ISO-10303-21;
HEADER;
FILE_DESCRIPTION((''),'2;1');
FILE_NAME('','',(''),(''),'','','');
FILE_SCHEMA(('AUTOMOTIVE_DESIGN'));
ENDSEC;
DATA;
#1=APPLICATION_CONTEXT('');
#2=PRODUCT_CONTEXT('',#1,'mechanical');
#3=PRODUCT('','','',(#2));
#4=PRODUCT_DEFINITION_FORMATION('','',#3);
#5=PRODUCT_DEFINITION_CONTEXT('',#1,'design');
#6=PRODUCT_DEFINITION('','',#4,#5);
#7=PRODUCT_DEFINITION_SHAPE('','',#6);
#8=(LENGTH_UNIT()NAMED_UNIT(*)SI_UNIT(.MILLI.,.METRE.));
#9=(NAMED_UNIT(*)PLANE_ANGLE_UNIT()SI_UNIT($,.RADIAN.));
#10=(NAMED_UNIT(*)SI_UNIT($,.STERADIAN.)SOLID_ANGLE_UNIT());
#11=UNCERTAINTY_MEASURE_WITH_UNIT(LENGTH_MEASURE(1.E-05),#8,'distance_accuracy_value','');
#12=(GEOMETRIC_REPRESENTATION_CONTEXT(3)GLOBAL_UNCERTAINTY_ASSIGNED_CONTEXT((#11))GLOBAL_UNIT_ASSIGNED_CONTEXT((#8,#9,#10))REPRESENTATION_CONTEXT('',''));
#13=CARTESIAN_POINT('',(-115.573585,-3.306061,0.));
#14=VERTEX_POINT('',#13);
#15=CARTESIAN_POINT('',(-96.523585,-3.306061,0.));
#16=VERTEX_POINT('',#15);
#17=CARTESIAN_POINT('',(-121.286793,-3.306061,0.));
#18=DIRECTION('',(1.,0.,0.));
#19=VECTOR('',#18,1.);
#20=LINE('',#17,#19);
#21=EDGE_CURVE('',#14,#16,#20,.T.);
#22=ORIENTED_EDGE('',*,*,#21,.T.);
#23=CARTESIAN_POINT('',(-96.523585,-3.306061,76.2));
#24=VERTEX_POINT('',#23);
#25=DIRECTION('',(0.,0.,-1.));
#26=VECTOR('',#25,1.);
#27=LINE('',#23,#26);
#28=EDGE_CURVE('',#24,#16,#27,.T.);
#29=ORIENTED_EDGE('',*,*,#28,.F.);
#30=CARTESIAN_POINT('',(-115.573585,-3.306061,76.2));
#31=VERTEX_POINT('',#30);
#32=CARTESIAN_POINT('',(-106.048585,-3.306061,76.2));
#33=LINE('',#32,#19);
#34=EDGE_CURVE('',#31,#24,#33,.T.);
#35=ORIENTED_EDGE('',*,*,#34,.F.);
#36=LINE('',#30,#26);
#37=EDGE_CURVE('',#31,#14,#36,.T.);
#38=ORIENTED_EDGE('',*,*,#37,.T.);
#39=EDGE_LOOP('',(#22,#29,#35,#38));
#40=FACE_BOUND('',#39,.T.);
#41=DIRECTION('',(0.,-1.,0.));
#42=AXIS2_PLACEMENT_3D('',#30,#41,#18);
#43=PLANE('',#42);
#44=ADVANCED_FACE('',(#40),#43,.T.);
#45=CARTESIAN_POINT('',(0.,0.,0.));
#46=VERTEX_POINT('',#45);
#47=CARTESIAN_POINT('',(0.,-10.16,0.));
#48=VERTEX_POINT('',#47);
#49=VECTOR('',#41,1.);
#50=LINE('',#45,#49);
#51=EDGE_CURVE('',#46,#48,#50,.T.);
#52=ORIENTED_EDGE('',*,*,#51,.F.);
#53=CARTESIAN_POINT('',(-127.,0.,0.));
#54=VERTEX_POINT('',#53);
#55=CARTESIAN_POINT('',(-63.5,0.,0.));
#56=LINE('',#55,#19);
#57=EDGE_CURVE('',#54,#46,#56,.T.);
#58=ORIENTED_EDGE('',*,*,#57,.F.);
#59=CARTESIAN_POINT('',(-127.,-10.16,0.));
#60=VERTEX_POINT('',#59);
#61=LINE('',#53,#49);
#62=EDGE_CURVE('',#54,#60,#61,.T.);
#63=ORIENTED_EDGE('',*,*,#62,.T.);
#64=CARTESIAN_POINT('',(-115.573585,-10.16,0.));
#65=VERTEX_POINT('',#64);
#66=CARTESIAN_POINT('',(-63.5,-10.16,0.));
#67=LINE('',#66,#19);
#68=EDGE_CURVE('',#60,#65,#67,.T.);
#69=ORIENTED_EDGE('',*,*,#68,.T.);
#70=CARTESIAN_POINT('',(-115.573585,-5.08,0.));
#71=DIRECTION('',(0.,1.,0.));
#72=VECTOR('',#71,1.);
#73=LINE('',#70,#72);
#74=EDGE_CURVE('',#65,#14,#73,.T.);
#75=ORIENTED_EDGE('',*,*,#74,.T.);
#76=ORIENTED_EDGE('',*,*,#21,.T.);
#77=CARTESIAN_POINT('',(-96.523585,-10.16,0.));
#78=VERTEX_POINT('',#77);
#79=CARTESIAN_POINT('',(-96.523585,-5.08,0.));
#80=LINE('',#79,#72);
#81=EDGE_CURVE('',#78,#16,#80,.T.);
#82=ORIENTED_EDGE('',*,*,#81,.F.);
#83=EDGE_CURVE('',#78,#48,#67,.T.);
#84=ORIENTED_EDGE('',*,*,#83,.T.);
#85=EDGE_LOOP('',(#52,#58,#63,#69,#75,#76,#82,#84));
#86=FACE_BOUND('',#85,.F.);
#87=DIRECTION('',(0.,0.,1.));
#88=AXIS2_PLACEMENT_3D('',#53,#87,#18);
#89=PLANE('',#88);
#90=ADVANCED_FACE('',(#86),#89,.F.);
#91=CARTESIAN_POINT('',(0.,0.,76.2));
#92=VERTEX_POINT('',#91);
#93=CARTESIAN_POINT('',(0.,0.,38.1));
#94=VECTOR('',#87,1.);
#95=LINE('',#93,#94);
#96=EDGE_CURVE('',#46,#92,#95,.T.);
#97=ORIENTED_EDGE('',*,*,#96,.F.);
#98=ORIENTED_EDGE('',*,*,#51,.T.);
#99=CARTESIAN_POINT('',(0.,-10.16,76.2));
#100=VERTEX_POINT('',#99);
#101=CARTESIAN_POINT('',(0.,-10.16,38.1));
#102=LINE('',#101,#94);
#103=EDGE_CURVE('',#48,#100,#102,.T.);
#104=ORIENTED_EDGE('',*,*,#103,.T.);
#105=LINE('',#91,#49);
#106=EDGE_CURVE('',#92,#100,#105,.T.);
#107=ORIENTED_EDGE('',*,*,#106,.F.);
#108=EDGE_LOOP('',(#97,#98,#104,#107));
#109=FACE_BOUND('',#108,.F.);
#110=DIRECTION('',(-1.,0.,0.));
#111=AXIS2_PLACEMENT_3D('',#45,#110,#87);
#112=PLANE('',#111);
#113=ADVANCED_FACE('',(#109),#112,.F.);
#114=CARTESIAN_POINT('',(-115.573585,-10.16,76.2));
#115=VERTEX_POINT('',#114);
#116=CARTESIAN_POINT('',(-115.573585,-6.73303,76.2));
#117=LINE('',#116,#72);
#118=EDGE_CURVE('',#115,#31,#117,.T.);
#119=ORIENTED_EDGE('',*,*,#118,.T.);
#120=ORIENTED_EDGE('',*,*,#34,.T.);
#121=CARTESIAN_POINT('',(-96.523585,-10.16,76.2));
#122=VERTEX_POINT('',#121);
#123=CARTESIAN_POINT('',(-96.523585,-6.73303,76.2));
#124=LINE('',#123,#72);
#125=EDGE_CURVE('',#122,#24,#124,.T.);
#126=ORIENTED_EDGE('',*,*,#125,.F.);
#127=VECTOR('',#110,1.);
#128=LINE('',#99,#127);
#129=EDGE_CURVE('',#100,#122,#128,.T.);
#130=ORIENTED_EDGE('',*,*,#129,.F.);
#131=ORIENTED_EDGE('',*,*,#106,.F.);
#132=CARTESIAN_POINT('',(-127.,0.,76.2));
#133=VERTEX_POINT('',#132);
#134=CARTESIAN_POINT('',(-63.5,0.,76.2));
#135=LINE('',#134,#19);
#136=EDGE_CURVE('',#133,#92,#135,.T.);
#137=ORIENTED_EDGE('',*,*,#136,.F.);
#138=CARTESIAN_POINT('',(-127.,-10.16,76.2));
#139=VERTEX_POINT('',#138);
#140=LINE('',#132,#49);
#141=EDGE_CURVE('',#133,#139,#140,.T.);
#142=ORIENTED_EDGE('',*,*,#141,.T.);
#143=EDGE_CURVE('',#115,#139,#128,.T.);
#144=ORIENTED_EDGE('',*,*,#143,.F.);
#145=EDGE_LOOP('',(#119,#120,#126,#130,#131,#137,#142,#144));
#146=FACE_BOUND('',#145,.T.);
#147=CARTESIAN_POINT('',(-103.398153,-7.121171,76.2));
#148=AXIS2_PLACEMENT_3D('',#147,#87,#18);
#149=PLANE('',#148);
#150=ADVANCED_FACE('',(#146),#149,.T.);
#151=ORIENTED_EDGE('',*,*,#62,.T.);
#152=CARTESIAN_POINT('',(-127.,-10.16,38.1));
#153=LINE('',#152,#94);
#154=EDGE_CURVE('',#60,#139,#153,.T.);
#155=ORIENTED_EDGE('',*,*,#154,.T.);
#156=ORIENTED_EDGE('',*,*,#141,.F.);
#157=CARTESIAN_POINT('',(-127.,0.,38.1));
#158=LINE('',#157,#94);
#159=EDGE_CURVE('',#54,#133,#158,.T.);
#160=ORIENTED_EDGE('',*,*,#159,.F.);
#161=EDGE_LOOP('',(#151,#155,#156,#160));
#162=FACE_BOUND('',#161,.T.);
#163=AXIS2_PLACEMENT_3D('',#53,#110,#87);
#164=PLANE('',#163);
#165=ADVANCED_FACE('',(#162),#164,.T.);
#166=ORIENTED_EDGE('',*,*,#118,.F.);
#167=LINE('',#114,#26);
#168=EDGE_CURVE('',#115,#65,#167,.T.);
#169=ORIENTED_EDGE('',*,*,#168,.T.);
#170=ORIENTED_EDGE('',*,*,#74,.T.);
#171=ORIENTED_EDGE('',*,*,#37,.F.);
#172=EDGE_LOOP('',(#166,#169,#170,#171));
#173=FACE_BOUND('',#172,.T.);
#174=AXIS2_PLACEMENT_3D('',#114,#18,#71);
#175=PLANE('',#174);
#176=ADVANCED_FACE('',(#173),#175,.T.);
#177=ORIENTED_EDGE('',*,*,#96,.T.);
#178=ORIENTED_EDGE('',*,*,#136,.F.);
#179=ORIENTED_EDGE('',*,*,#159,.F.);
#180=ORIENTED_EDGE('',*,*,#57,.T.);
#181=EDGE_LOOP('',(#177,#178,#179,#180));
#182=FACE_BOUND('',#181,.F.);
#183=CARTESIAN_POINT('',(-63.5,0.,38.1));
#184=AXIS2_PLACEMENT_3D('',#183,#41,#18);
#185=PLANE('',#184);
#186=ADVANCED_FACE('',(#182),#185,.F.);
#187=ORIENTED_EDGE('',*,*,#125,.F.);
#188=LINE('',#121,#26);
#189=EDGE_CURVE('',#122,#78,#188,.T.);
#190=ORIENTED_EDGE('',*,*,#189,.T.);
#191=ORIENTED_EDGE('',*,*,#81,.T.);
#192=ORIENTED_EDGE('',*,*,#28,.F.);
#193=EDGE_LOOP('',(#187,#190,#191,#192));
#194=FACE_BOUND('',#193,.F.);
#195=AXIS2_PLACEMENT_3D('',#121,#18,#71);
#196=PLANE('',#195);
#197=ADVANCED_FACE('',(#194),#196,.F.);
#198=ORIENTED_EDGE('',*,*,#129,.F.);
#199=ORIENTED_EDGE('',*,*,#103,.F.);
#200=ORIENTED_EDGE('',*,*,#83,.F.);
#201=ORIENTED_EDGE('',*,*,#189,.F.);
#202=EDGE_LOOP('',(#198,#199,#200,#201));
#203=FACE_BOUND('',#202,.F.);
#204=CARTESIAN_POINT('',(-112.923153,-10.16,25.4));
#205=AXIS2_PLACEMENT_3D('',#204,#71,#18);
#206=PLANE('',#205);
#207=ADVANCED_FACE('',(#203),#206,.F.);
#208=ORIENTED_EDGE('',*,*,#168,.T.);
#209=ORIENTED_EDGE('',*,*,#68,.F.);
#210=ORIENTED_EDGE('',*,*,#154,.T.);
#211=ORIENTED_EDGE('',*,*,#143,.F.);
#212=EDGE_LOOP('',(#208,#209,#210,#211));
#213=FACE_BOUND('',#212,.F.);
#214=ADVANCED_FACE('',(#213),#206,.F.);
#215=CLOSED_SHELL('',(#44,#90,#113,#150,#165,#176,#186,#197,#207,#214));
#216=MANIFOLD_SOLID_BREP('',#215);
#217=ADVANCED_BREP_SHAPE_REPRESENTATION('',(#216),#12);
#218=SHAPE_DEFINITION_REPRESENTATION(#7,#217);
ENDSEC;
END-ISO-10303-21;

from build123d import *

# Parameters (mm, degrees)
F0_W     = 127
F0_H     = 76.2
F1_DEPTH = 10.16
F2_W     = 19.05
F2_H     = 6.0776587872
F3_DEPTH = 25.4
F4_DEPTH = 25.4
F5_DEPTH = 50.8
F6_W     = 19.05
F6_H     = 6.8539392034
F7_DEPTH = 127


with BuildPart() as f1:
    # F0 (on Front) → F1 (new body)
    with BuildSketch(Plane.XZ):
        with Locations((-63.5, 38.1)):
            Rectangle(F0_W, F0_H)
    extrude(amount=F1_DEPTH)

    # F2 (on face) → F3 (cut)
    with BuildSketch(Plane.XY.offset(76.2)):
        with Locations((-103.3981527448, -7.1211706064)):
            Rectangle(F2_W, F2_H)
    extrude(amount=-F3_DEPTH, mode=Mode.SUBTRACT)

    # F4 (cut): a face of the model
    f4_faces = [f1.faces().sort_by_distance(p)[0] for p in [
        (-103.3981527448, -7.1211706064, 50.8),
    ]]
    extrude(f4_faces, amount=-F4_DEPTH, mode=Mode.SUBTRACT)

    # F5 (add): a face of the model
    f5_faces = [f1.faces().sort_by_distance(p)[0] for p in [
        (-103.3981527448, -7.1211706064, 25.4),
    ]]
    extrude(f5_faces, amount=F5_DEPTH)

    # F6 (on face) → F7 (cut)
    with BuildSketch(Plane.XY.offset(76.2)):
        with Locations((-106.0485850334, -6.7330303983)):
            Rectangle(F6_W, F6_H)
    extrude(amount=-F7_DEPTH, mode=Mode.SUBTRACT)


solid = f1.part
